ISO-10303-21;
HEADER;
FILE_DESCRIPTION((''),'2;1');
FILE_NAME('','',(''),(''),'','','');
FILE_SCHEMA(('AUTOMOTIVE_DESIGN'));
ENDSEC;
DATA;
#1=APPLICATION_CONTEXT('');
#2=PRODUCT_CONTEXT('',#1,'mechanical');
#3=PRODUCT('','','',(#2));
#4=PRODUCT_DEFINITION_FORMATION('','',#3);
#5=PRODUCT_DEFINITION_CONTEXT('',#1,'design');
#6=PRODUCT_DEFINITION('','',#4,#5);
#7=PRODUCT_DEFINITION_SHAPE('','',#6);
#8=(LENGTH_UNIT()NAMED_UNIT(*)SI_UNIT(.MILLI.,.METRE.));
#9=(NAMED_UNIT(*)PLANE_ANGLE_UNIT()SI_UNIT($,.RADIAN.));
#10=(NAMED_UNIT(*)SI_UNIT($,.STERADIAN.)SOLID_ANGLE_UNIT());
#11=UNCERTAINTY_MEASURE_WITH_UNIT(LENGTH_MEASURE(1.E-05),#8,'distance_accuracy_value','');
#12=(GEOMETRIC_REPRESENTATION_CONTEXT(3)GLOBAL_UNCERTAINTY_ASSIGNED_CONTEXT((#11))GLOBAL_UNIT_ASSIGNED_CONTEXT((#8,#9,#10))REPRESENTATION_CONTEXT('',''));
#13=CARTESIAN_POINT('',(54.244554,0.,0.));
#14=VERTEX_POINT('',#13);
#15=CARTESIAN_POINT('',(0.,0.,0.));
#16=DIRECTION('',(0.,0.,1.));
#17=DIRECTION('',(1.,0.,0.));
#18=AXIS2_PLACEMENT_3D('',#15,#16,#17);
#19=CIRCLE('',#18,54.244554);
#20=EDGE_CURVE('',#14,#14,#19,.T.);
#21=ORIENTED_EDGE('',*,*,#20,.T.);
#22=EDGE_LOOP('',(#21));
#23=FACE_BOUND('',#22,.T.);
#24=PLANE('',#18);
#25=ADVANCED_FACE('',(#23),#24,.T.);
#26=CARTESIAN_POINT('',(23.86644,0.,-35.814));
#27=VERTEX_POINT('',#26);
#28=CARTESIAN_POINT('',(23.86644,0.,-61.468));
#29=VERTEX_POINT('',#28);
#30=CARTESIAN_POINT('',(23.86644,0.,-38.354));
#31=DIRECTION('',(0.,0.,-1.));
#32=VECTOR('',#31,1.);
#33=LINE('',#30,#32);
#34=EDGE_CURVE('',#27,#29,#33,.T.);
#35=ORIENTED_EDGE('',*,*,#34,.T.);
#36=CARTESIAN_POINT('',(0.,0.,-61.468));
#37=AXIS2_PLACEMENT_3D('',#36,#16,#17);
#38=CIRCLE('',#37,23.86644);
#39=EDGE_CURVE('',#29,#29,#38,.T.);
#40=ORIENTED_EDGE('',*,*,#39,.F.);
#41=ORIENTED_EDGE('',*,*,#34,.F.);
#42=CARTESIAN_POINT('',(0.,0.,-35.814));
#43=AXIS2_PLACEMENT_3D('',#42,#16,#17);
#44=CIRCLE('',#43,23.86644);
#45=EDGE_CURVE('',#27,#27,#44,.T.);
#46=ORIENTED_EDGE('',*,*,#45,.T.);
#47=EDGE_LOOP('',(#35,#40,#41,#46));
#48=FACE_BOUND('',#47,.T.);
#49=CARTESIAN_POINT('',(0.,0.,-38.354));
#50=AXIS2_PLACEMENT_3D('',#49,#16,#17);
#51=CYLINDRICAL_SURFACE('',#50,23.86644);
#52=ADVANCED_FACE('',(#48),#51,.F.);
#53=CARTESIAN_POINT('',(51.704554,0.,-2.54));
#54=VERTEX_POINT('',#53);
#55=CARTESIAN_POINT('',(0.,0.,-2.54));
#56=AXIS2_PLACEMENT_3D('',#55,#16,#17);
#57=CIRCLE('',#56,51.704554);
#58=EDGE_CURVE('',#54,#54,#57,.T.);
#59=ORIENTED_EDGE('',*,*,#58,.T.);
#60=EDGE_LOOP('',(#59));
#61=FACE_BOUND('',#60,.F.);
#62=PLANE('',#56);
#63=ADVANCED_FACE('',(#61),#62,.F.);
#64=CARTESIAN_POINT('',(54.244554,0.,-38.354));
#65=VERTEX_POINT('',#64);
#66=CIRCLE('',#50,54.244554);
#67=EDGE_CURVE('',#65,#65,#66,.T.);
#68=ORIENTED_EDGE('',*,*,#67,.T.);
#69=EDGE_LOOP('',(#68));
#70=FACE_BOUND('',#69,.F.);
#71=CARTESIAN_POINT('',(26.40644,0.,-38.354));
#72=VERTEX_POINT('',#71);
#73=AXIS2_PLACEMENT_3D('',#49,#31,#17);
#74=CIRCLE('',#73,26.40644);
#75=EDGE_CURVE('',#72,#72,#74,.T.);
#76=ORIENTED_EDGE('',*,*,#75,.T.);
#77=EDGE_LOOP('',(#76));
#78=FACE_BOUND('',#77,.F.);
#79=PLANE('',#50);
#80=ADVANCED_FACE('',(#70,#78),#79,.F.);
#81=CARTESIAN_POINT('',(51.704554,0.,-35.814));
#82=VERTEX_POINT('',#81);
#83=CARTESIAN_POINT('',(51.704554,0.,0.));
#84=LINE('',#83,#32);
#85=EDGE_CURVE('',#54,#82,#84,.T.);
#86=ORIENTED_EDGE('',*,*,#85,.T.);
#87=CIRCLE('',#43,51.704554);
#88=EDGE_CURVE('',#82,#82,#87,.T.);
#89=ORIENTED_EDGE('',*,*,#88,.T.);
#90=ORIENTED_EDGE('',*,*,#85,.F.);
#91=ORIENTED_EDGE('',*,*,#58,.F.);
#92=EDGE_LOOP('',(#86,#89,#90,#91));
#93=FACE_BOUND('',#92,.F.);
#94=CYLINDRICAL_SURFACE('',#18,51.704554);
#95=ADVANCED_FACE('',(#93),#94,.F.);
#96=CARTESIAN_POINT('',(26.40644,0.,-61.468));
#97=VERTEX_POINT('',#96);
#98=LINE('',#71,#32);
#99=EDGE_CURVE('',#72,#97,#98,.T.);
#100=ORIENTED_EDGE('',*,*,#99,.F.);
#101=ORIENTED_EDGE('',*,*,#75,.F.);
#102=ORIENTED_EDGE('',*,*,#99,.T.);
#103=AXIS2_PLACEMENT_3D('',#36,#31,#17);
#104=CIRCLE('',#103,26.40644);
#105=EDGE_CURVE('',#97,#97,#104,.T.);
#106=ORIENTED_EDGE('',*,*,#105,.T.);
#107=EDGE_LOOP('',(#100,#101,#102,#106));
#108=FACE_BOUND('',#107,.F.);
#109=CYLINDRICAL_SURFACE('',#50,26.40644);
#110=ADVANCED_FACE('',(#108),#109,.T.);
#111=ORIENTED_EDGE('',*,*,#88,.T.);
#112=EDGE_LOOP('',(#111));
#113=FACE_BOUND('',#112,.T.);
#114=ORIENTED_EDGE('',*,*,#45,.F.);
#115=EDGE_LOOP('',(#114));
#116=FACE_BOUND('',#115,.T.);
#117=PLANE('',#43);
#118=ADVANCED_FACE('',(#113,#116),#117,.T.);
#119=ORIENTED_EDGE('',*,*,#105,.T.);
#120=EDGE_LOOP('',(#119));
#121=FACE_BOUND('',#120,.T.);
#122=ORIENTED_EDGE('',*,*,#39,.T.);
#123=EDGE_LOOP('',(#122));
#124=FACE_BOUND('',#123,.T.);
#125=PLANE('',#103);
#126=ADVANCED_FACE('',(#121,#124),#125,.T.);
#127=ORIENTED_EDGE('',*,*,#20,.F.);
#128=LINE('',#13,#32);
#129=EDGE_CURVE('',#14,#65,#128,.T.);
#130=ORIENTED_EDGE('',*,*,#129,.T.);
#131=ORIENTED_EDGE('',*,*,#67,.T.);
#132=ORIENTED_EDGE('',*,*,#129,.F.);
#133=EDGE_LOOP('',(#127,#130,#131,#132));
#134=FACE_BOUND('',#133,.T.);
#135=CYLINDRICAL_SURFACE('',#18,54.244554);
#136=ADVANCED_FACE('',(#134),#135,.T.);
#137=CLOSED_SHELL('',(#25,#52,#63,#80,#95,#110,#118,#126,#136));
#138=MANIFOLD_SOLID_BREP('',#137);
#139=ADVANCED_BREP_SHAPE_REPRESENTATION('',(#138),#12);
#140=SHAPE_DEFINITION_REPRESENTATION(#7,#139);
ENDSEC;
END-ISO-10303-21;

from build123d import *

# Parameters (mm, degrees)
F0_R     = 54.2445542545
F1_DEPTH = 38.354
F2_R     = 26.4064404113
F3_DEPTH = 23.114
F4_T     = -2.54


with BuildPart() as f1:
    # F0 (on Top) → F1 (new body)
    with BuildSketch(Plane.XY):
        Circle(F0_R)
    extrude(amount=-F1_DEPTH)

    # F2 (on face) → F3 (join)
    with BuildSketch(Plane(origin=(0, 0, -38.354), x_dir=(1, 0, 0), z_dir=(0, 0, -1))):
        Circle(F2_R)
    extrude(amount=F3_DEPTH)

    # F4
    f4_openings = [f1.faces().sort_by_distance(p)[0] for p in [
        (0, 0, -61.468),
    ]]
    offset(amount=F4_T, openings=f4_openings, kind=Kind.INTERSECTION)


solid = f1.part
